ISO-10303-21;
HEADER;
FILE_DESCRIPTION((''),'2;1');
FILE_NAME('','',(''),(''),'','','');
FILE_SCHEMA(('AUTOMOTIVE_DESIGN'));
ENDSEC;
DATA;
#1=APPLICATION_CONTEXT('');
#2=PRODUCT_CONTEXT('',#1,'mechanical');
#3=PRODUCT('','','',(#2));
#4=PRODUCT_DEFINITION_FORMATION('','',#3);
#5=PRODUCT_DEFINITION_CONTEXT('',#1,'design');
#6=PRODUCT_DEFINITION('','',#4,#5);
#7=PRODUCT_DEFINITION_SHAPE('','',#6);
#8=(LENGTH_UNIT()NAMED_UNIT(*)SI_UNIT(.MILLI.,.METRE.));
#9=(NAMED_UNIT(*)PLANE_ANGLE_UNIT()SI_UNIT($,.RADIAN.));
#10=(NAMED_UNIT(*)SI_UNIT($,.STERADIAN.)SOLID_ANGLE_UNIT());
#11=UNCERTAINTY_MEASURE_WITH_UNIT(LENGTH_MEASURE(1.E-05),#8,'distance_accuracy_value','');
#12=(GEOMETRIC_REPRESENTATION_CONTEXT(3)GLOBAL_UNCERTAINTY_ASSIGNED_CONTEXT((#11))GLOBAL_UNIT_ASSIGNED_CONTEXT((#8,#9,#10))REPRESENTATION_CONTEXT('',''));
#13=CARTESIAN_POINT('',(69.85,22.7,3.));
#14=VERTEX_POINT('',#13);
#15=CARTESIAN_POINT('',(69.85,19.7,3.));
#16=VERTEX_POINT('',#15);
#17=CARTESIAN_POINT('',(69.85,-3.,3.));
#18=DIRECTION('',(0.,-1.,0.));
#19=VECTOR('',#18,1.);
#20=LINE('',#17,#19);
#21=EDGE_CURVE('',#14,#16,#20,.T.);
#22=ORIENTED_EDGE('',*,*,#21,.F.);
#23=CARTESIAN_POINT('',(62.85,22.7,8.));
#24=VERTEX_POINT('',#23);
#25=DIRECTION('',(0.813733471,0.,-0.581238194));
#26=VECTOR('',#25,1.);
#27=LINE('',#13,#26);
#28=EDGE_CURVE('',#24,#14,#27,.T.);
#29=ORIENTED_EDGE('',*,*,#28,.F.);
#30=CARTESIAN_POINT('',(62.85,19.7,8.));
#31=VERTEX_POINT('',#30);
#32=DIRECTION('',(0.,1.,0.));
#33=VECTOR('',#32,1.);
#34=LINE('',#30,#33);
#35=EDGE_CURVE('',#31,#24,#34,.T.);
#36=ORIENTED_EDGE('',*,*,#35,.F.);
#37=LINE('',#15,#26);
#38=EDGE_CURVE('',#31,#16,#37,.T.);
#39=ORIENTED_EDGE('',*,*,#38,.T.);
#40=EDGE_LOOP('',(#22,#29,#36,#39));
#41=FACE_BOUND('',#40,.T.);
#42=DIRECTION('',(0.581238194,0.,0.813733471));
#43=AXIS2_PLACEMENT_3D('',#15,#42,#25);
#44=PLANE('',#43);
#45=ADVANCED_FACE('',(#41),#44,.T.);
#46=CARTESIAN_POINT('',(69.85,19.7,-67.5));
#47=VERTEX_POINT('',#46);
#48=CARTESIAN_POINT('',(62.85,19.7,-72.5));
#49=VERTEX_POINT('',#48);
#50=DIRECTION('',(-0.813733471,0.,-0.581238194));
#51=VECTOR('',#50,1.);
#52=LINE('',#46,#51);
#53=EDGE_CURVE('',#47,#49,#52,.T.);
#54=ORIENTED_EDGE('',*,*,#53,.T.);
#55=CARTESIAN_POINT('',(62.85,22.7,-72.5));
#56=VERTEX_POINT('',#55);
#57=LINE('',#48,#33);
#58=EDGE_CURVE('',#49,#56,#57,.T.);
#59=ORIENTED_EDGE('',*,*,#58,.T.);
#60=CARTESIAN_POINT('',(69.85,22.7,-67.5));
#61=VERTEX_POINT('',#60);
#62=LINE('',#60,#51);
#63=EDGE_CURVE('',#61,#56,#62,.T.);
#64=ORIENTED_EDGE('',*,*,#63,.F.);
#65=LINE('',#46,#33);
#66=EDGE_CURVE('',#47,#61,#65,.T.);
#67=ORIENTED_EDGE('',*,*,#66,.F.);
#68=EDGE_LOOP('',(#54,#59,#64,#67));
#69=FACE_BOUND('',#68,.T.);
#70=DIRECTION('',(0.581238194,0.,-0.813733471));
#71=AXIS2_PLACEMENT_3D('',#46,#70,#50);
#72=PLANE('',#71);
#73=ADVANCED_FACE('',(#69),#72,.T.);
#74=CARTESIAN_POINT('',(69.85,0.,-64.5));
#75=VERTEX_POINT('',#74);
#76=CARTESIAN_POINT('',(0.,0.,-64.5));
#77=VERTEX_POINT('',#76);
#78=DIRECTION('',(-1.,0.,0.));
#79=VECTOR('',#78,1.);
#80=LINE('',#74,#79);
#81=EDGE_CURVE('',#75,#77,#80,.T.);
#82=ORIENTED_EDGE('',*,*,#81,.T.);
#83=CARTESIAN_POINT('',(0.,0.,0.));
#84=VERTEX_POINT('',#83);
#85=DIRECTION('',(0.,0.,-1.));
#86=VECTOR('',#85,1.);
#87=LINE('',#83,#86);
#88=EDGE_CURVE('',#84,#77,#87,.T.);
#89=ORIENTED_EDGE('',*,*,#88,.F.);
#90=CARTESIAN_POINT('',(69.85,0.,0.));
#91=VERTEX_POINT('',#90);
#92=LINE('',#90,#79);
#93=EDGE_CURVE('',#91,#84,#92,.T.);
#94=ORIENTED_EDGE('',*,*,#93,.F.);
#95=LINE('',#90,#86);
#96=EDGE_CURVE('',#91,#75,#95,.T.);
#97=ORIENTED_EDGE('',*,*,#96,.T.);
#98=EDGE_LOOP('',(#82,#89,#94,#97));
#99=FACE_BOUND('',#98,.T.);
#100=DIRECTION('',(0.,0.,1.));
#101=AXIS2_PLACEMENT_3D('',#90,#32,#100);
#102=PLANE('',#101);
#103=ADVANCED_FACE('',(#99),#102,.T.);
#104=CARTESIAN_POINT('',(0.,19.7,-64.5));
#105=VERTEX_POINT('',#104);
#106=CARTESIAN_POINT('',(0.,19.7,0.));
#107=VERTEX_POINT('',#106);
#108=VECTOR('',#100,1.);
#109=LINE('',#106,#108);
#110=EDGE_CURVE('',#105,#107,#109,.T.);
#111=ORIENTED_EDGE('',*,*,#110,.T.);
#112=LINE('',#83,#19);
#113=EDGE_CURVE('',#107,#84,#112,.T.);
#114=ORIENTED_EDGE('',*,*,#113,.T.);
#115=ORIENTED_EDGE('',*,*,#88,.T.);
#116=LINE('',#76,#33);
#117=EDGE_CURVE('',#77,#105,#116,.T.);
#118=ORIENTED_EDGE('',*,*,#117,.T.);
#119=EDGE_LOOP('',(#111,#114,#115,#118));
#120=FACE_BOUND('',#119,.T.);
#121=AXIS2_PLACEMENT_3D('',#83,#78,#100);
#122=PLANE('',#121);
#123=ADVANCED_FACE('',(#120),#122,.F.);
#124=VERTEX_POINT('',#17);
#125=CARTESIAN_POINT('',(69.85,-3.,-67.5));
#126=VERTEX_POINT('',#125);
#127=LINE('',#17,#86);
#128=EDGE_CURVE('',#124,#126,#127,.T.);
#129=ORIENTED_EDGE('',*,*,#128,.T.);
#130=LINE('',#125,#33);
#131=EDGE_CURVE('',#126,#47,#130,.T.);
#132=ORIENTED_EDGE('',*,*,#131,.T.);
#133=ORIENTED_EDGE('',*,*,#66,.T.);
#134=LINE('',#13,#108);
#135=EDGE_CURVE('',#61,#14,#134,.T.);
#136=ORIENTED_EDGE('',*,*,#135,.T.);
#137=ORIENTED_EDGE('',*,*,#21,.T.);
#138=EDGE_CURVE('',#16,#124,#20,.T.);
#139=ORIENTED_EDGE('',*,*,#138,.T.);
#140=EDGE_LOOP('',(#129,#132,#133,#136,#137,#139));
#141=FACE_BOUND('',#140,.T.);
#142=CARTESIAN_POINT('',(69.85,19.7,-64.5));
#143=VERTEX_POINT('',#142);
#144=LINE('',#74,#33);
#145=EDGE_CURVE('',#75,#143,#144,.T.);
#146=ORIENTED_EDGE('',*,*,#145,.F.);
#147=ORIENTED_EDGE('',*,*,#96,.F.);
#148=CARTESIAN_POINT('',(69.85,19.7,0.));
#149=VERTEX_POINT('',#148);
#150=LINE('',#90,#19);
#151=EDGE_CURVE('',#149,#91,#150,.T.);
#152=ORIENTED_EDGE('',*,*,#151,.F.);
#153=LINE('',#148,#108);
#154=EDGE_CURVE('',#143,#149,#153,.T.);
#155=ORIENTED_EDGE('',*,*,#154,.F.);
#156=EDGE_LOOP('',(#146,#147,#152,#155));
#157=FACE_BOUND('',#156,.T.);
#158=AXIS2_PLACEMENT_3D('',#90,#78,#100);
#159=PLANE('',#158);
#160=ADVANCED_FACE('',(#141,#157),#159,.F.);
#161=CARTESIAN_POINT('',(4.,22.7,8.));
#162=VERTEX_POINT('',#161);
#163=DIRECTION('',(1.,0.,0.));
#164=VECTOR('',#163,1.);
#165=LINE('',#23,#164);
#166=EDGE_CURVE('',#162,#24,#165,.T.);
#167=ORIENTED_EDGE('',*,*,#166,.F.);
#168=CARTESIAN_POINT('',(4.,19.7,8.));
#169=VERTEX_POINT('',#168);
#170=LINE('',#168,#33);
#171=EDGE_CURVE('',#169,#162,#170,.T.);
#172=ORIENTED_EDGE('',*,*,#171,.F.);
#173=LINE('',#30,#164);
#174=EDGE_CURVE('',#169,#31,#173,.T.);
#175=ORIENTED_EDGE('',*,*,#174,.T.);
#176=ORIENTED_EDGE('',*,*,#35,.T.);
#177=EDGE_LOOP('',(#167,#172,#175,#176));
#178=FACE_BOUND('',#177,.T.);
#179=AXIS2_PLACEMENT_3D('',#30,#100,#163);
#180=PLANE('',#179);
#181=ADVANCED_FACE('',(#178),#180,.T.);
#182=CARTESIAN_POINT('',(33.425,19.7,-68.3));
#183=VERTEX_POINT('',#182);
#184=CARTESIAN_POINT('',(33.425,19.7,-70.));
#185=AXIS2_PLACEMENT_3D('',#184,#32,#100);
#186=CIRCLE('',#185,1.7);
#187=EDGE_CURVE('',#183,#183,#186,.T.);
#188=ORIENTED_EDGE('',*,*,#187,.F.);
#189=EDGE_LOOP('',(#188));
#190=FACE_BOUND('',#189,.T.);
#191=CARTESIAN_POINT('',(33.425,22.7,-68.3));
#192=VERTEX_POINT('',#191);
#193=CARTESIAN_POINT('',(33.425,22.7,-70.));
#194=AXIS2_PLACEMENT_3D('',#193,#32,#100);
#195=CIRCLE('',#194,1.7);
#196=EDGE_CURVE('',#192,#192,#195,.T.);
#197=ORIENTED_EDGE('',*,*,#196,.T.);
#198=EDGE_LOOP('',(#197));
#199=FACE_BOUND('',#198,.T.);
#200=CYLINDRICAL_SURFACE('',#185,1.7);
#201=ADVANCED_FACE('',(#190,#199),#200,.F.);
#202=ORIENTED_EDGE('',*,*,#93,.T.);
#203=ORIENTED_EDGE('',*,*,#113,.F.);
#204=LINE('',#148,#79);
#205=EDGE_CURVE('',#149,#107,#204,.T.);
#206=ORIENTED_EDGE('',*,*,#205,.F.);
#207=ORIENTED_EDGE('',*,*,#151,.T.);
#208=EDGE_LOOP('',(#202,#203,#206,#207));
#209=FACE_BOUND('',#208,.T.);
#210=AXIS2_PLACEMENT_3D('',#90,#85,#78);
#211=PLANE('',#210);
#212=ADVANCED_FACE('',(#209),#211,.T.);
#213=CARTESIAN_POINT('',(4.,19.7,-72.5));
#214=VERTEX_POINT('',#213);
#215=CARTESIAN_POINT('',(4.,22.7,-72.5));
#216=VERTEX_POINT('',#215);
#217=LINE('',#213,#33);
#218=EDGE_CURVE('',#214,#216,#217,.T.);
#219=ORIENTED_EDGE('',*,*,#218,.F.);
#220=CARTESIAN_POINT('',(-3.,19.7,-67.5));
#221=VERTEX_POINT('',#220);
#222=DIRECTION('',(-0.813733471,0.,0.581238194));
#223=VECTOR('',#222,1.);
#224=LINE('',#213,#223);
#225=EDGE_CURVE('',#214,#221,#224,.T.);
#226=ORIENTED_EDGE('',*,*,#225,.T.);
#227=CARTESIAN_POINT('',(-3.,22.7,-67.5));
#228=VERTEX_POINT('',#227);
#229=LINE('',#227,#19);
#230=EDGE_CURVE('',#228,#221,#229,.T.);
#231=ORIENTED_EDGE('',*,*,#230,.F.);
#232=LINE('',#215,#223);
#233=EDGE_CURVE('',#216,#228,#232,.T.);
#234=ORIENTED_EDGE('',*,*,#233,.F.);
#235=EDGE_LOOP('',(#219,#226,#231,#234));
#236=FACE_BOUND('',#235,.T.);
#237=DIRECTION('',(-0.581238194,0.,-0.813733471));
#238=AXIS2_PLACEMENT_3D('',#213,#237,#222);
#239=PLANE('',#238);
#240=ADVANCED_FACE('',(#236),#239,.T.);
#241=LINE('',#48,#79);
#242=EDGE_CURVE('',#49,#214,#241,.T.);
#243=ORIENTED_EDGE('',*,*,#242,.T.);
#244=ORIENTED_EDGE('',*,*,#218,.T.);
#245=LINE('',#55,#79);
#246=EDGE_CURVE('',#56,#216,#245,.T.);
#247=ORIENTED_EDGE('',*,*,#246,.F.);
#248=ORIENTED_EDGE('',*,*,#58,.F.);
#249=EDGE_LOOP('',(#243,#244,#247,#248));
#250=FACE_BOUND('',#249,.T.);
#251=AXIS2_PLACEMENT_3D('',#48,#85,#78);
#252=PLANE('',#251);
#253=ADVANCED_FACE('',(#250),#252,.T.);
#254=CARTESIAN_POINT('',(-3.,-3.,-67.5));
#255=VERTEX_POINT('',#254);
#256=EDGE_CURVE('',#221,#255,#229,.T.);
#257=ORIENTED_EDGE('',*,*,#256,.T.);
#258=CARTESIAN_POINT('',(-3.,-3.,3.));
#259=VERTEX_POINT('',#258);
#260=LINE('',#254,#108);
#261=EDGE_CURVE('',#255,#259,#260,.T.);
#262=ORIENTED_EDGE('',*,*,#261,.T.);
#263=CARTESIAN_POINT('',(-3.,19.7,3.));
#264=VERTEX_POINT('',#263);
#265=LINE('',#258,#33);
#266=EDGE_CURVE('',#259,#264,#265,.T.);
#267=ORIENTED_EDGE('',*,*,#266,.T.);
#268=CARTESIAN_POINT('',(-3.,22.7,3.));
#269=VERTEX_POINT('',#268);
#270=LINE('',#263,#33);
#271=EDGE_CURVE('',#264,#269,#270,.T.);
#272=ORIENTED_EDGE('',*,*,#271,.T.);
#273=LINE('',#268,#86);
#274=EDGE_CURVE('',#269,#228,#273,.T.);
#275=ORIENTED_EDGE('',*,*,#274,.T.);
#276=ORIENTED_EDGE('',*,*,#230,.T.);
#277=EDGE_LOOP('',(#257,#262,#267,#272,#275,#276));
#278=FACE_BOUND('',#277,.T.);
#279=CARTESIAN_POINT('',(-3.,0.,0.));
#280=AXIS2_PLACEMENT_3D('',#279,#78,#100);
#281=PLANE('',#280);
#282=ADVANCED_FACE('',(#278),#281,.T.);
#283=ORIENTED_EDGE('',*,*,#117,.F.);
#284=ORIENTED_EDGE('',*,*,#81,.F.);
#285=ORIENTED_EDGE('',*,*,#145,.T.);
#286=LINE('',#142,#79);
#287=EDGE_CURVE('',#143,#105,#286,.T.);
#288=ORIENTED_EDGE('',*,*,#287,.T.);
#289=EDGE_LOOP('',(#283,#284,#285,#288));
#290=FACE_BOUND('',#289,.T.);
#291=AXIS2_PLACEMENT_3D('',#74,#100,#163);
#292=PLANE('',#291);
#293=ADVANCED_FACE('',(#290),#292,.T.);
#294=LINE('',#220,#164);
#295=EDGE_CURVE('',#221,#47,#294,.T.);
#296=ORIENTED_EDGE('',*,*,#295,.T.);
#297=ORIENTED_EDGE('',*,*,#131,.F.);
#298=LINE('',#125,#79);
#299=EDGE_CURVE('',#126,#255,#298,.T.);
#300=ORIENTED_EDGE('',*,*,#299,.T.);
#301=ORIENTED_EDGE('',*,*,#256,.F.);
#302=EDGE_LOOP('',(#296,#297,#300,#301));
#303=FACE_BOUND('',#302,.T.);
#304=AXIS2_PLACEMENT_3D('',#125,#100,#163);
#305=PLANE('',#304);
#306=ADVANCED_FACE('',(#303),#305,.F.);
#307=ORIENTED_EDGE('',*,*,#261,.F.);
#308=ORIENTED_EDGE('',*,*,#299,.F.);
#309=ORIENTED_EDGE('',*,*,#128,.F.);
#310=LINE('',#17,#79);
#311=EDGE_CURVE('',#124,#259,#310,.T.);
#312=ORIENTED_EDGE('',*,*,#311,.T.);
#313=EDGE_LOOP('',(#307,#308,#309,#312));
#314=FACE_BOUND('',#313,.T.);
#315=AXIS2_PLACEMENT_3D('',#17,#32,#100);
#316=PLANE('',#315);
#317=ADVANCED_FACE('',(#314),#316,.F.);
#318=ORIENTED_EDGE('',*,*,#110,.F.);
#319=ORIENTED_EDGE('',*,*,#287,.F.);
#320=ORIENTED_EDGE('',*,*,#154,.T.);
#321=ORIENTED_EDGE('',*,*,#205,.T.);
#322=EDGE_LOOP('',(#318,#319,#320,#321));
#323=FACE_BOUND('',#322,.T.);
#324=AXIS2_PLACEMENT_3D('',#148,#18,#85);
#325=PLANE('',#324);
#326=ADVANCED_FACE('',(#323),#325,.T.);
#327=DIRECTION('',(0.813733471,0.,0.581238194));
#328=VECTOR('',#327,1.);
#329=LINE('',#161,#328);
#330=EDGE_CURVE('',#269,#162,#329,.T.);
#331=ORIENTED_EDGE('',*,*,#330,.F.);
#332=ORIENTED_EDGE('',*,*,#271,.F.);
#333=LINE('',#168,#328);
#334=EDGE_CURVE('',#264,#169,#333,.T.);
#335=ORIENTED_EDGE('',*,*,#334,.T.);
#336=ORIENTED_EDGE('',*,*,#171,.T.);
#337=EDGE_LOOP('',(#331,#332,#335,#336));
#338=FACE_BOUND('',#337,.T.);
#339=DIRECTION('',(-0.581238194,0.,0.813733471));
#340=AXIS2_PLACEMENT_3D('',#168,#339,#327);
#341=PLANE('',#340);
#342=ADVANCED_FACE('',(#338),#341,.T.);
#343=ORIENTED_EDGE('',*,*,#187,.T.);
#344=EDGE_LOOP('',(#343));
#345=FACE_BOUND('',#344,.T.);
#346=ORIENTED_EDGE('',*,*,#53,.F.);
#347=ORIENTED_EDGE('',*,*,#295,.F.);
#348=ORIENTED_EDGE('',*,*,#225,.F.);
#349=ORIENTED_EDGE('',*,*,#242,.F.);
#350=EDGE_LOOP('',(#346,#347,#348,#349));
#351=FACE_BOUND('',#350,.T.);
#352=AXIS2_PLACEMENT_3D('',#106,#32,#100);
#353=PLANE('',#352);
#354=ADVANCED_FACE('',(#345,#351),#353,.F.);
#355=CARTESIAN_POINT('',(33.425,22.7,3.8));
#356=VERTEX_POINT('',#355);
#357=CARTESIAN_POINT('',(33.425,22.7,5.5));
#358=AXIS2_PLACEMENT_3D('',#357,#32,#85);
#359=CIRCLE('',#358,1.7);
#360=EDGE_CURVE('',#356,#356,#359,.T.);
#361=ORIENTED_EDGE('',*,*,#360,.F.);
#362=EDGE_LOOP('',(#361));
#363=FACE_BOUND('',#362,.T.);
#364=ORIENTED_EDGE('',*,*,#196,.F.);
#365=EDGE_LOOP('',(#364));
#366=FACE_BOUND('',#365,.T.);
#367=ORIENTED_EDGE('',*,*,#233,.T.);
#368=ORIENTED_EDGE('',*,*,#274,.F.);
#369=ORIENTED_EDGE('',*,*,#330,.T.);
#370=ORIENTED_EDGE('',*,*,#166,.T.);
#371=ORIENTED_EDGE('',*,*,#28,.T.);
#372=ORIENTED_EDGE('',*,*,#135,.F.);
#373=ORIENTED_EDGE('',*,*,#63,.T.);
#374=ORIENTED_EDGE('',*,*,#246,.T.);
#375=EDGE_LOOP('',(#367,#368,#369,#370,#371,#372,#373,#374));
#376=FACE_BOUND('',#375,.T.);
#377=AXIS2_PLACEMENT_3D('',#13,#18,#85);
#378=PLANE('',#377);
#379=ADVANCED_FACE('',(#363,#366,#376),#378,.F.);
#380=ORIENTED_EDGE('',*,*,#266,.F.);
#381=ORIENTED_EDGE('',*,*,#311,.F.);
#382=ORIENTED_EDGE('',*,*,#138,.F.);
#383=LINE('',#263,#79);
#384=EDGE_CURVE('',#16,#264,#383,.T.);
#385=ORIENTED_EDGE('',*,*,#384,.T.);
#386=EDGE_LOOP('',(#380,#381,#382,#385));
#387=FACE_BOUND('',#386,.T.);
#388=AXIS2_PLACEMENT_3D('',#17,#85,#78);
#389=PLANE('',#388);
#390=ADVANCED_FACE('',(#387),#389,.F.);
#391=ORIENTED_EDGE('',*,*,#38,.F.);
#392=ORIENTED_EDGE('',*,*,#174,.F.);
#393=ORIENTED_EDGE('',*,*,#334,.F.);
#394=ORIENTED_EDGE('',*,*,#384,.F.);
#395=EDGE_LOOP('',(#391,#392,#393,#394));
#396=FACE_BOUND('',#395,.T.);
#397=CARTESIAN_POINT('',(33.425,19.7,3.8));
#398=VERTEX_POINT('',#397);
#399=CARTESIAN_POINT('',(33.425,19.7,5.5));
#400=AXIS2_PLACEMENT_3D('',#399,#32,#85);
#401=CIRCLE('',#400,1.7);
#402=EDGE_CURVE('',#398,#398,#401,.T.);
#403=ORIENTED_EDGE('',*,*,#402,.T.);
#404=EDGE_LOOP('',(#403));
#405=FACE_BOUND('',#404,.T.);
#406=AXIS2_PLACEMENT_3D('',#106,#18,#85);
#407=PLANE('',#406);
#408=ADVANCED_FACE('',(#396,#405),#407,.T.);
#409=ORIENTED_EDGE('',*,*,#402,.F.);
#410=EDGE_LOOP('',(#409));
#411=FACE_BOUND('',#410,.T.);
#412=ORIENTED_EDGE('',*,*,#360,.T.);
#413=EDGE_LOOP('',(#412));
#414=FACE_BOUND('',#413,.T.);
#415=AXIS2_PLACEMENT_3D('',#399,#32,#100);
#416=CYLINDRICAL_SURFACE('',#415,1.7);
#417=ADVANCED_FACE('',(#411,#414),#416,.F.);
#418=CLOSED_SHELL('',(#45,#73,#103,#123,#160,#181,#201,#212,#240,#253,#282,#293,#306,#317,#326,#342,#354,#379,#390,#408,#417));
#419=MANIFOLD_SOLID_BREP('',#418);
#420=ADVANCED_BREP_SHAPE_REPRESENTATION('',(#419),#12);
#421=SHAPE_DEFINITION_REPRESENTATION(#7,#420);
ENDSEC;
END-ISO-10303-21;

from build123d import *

# Parameters (mm, degrees)
SKETCH2_W           = 70.5
SKETCH2_H           = 25.7
SKETCH2_W_2         = 64.5
SKETCH2_H_2         = 19.7
BOSS_EXTRUDE1_DEPTH = 69.85
SKETCH3_W           = 70.5
SKETCH3_H           = 25.7
BOSS_EXTRUDE2_DEPTH = 3
SKETCH4_R           = 1.7
BOSS_EXTRUDE3_DEPTH = 3


with BuildPart() as part:
    # Sketch2 → Boss-Extrude1 (new body)
    with BuildSketch(Plane(origin=(0, 0, 0), x_dir=(0, 0, -1), z_dir=(1, 0, 0))):
        with Locations((32.25, 9.85)):
            Rectangle(SKETCH2_W, SKETCH2_H)
        with Locations((32.25, 9.85)):
            Rectangle(SKETCH2_W_2, SKETCH2_H_2, mode=Mode.SUBTRACT)
    extrude(amount=BOSS_EXTRUDE1_DEPTH)

    # Sketch3 → Boss-Extrude2 (add)
    with BuildSketch(Plane.ZY):
        with Locations((-32.25, 9.85)):
            Rectangle(SKETCH3_W, SKETCH3_H)
    extrude(amount=BOSS_EXTRUDE2_DEPTH)

    # Sketch4 → Boss-Extrude3 (add)
    # profile 1 of 2: a face of its own
    with BuildSketch(Plane(origin=(0, 22.7, 0), x_dir=(1, 0, 0), z_dir=(0, 1, 0))):
        Polygon((69.85, 67.5), (62.85, 72.5), (4, 72.5), (-3, 67.5), align=None)
        with Locations(Location((33.425, 70, 0), (0, 0, 270))):
            Circle(SKETCH4_R, mode=Mode.SUBTRACT)
    # profile 2 of 2: a face of its own
    with BuildSketch(Plane(origin=(0, 22.7, 0), x_dir=(1, 0, 0), z_dir=(0, 1, 0))):
        Polygon((-3, -3), (69.85, -3), (62.85, -8), (4, -8), align=None)
        with Locations(Location((33.425, -5.5, 0), (0, 0, 90))):
            Circle(SKETCH4_R, mode=Mode.SUBTRACT)
    extrude(amount=-BOSS_EXTRUDE3_DEPTH)


solid = part.part
